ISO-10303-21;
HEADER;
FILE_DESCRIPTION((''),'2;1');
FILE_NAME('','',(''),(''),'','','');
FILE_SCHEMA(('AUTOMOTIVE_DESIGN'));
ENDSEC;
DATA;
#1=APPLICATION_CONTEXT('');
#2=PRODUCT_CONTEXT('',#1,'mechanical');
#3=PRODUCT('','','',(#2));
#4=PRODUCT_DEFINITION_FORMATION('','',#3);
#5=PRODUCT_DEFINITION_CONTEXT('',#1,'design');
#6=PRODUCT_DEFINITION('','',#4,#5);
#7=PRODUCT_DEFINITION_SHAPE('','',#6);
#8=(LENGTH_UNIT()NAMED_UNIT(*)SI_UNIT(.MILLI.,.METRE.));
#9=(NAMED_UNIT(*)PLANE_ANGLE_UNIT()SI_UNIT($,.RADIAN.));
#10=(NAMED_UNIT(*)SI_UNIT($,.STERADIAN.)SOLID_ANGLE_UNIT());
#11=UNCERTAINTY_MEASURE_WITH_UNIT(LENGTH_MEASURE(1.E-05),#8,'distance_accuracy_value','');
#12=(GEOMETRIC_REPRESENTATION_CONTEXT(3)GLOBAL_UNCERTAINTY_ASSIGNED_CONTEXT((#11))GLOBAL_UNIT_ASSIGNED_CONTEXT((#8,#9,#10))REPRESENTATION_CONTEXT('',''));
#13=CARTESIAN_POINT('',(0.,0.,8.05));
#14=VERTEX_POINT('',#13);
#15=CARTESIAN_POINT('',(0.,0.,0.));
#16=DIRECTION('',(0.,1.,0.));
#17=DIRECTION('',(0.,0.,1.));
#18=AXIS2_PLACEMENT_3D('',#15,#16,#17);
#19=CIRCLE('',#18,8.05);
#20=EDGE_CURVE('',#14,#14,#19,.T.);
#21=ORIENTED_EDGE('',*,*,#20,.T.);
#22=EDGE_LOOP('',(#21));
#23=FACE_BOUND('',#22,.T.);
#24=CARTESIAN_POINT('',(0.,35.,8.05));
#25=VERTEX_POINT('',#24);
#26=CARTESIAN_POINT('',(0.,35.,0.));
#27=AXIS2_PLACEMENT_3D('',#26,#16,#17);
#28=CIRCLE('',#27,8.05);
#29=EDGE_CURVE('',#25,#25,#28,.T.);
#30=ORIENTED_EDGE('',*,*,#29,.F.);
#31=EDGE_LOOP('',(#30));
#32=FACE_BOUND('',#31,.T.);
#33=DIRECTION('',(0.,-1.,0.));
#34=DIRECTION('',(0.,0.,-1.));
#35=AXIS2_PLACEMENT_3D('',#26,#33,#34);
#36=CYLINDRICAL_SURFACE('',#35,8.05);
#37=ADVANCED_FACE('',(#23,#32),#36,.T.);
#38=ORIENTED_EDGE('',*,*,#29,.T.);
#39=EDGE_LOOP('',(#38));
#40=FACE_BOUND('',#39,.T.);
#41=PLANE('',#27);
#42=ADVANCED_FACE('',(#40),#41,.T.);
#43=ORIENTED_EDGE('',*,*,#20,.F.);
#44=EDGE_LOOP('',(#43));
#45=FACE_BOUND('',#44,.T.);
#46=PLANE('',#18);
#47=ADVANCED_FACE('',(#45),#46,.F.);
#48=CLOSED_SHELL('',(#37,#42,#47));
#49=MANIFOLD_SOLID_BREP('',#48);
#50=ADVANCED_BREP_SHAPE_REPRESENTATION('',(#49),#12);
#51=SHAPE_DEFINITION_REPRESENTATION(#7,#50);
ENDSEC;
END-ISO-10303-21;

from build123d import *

# Parameters (mm, degrees)
ESBO_O1_R                = 8.05
RESSALTO_EXTRUS_O1_DEPTH = 35


with BuildPart() as part:
    # Esboço1 → Ressalto-extrusão1 (new body)
    with BuildSketch(Plane(origin=(0, 0, 0), x_dir=(1, 0, 0), z_dir=(0, 1, 0))):
        Circle(ESBO_O1_R)
    extrude(amount=RESSALTO_EXTRUS_O1_DEPTH)


solid = part.part
